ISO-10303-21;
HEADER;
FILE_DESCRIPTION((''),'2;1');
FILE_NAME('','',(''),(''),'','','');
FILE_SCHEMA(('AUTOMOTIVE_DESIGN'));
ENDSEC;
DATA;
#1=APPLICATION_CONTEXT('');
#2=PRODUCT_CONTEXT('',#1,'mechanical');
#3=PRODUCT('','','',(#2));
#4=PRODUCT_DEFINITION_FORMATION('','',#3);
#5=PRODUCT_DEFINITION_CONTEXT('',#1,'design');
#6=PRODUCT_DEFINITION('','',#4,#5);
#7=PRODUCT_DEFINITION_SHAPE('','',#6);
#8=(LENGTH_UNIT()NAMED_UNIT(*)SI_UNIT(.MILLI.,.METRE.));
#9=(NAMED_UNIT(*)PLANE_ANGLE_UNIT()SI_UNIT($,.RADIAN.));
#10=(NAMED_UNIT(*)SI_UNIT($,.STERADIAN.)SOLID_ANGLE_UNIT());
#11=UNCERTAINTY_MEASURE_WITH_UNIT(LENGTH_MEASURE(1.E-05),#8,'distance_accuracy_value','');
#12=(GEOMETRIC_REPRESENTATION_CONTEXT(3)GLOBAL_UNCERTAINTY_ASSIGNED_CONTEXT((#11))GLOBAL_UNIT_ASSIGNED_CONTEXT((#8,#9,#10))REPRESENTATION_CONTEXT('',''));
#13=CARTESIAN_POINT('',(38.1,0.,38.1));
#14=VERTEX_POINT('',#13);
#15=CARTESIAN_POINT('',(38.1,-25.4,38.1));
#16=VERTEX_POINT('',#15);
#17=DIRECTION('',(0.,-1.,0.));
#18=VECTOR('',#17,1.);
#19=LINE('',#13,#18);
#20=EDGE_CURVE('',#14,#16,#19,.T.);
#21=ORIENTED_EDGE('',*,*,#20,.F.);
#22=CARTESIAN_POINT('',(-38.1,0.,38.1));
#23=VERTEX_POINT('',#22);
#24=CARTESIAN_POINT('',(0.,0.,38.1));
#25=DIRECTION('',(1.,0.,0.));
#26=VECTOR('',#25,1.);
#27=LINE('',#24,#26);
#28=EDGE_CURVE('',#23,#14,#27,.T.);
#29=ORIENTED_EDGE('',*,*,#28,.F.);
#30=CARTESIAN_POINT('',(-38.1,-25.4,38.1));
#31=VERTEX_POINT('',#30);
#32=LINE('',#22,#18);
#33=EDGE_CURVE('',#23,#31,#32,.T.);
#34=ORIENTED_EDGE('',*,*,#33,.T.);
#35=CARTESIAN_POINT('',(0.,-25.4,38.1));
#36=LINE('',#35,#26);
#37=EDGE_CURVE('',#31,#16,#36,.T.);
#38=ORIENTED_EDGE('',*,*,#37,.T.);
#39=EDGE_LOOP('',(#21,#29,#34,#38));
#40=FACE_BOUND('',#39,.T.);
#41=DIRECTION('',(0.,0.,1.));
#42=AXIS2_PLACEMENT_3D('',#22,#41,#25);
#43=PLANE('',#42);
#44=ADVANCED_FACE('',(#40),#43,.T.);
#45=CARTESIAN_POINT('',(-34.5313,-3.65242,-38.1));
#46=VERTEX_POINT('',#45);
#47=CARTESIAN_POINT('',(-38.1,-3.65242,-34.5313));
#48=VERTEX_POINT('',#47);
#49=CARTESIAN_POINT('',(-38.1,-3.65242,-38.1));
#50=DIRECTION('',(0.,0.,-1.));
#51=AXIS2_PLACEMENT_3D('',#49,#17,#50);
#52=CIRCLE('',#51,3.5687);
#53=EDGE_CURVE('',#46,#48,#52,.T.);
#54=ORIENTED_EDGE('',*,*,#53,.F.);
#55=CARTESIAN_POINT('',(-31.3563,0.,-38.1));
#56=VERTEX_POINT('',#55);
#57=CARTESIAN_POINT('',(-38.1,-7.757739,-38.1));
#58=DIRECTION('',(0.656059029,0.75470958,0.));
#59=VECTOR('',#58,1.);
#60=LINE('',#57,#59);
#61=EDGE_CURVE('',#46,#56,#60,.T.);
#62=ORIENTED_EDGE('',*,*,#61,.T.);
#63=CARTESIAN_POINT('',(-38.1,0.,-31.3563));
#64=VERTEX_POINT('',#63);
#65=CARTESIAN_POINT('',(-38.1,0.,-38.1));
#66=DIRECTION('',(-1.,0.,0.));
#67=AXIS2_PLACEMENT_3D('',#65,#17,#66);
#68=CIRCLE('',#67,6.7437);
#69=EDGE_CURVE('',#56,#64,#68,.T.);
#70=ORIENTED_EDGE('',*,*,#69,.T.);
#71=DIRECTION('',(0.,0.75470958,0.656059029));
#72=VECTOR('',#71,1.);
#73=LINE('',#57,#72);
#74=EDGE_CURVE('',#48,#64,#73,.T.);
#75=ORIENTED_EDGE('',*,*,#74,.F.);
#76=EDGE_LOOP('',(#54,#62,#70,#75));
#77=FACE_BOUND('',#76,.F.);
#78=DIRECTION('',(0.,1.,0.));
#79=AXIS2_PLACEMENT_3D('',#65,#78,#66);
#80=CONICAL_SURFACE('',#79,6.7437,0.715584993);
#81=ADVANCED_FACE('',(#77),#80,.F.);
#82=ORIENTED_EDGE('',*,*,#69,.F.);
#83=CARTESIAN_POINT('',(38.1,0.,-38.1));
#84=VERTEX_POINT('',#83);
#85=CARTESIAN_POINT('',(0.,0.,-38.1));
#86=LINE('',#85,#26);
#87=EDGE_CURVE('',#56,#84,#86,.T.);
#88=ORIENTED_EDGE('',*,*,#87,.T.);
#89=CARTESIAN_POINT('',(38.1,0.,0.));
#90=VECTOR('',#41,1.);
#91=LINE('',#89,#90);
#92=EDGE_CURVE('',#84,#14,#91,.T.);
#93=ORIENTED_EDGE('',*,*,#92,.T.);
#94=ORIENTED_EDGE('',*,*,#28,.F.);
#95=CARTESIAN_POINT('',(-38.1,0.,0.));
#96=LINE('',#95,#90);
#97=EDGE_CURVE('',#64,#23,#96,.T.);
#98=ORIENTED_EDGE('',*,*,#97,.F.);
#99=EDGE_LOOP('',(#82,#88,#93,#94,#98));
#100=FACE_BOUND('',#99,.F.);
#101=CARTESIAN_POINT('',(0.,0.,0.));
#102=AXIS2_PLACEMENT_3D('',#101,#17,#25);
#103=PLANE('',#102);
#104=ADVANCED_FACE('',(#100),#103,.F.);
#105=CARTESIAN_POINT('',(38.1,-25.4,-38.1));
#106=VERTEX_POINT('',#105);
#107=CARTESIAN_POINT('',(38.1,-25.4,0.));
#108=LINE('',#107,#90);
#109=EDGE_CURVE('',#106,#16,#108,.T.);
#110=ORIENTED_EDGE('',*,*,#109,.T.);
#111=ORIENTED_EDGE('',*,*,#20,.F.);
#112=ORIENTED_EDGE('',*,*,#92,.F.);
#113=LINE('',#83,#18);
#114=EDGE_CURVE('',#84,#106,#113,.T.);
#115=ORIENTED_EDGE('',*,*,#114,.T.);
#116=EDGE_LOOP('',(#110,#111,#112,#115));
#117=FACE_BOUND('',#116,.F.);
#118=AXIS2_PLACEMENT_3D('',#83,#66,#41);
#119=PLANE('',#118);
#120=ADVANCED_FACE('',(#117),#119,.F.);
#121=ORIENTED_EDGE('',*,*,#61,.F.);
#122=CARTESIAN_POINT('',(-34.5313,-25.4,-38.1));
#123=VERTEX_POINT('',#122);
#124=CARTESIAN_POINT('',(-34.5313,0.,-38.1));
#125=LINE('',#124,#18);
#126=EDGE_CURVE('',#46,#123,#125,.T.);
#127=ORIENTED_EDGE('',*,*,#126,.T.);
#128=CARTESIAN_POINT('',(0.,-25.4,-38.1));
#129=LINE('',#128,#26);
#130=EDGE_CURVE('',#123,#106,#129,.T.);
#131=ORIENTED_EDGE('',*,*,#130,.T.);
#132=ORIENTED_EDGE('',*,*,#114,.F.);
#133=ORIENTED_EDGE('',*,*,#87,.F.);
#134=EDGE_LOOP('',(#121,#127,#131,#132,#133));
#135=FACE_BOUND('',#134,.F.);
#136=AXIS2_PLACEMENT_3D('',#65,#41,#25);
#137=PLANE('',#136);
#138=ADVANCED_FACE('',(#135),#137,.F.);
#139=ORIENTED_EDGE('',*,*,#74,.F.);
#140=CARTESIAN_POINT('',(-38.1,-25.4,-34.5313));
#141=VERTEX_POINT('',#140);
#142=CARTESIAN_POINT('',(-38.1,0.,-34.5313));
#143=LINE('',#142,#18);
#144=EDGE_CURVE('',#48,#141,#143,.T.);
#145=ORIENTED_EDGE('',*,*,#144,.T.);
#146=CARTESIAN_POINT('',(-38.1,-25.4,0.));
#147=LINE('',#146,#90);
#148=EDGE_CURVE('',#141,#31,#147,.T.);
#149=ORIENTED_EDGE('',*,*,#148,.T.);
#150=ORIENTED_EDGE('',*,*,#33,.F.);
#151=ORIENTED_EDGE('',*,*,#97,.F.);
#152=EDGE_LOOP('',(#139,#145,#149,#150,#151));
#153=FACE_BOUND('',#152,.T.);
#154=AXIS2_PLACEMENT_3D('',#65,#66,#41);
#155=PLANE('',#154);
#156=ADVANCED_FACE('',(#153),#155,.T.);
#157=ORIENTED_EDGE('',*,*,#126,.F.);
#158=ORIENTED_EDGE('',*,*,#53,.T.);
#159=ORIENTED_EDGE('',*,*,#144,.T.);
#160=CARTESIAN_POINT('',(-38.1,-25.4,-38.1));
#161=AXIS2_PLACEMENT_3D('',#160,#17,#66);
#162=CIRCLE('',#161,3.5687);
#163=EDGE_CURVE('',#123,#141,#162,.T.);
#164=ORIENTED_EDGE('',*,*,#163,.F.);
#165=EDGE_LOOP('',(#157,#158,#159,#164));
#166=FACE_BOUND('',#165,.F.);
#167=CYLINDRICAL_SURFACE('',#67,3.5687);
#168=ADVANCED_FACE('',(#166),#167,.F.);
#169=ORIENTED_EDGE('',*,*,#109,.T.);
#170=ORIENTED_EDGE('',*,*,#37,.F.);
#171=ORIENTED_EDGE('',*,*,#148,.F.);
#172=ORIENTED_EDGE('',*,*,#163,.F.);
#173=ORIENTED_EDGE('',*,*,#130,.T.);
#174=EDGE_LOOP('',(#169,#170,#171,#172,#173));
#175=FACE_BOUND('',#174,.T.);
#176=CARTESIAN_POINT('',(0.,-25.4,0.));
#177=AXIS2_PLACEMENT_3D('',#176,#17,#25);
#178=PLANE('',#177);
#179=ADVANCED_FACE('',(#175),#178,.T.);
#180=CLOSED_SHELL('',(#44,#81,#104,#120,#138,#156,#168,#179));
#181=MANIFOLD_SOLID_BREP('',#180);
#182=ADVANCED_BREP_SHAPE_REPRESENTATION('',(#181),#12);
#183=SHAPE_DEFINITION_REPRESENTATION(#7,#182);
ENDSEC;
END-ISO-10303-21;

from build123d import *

# Parameters (mm, degrees)
F0_W           = 76.2
F0_H           = 76.2
F1_DEPTH       = 25.4
F2_D           = 7.1374
F2_CSINK_D     = 13.4874
F2_CSINK_ANGLE = 82


with BuildPart() as f1:
    # F0 (on Front) → F1 (new body)
    with BuildSketch(Plane.XZ):
        Rectangle(F0_W, F0_H)
    extrude(amount=F1_DEPTH)

    # F2 (through all)
    with Locations(Plane(origin=(0, 0, 0), x_dir=(1, 0, 0), z_dir=(0, 1, 0))):
        with Locations((-38.1, 38.1)):
            CounterSinkHole(F2_D / 2, F2_CSINK_D / 2, counter_sink_angle=F2_CSINK_ANGLE)


solid = f1.part
